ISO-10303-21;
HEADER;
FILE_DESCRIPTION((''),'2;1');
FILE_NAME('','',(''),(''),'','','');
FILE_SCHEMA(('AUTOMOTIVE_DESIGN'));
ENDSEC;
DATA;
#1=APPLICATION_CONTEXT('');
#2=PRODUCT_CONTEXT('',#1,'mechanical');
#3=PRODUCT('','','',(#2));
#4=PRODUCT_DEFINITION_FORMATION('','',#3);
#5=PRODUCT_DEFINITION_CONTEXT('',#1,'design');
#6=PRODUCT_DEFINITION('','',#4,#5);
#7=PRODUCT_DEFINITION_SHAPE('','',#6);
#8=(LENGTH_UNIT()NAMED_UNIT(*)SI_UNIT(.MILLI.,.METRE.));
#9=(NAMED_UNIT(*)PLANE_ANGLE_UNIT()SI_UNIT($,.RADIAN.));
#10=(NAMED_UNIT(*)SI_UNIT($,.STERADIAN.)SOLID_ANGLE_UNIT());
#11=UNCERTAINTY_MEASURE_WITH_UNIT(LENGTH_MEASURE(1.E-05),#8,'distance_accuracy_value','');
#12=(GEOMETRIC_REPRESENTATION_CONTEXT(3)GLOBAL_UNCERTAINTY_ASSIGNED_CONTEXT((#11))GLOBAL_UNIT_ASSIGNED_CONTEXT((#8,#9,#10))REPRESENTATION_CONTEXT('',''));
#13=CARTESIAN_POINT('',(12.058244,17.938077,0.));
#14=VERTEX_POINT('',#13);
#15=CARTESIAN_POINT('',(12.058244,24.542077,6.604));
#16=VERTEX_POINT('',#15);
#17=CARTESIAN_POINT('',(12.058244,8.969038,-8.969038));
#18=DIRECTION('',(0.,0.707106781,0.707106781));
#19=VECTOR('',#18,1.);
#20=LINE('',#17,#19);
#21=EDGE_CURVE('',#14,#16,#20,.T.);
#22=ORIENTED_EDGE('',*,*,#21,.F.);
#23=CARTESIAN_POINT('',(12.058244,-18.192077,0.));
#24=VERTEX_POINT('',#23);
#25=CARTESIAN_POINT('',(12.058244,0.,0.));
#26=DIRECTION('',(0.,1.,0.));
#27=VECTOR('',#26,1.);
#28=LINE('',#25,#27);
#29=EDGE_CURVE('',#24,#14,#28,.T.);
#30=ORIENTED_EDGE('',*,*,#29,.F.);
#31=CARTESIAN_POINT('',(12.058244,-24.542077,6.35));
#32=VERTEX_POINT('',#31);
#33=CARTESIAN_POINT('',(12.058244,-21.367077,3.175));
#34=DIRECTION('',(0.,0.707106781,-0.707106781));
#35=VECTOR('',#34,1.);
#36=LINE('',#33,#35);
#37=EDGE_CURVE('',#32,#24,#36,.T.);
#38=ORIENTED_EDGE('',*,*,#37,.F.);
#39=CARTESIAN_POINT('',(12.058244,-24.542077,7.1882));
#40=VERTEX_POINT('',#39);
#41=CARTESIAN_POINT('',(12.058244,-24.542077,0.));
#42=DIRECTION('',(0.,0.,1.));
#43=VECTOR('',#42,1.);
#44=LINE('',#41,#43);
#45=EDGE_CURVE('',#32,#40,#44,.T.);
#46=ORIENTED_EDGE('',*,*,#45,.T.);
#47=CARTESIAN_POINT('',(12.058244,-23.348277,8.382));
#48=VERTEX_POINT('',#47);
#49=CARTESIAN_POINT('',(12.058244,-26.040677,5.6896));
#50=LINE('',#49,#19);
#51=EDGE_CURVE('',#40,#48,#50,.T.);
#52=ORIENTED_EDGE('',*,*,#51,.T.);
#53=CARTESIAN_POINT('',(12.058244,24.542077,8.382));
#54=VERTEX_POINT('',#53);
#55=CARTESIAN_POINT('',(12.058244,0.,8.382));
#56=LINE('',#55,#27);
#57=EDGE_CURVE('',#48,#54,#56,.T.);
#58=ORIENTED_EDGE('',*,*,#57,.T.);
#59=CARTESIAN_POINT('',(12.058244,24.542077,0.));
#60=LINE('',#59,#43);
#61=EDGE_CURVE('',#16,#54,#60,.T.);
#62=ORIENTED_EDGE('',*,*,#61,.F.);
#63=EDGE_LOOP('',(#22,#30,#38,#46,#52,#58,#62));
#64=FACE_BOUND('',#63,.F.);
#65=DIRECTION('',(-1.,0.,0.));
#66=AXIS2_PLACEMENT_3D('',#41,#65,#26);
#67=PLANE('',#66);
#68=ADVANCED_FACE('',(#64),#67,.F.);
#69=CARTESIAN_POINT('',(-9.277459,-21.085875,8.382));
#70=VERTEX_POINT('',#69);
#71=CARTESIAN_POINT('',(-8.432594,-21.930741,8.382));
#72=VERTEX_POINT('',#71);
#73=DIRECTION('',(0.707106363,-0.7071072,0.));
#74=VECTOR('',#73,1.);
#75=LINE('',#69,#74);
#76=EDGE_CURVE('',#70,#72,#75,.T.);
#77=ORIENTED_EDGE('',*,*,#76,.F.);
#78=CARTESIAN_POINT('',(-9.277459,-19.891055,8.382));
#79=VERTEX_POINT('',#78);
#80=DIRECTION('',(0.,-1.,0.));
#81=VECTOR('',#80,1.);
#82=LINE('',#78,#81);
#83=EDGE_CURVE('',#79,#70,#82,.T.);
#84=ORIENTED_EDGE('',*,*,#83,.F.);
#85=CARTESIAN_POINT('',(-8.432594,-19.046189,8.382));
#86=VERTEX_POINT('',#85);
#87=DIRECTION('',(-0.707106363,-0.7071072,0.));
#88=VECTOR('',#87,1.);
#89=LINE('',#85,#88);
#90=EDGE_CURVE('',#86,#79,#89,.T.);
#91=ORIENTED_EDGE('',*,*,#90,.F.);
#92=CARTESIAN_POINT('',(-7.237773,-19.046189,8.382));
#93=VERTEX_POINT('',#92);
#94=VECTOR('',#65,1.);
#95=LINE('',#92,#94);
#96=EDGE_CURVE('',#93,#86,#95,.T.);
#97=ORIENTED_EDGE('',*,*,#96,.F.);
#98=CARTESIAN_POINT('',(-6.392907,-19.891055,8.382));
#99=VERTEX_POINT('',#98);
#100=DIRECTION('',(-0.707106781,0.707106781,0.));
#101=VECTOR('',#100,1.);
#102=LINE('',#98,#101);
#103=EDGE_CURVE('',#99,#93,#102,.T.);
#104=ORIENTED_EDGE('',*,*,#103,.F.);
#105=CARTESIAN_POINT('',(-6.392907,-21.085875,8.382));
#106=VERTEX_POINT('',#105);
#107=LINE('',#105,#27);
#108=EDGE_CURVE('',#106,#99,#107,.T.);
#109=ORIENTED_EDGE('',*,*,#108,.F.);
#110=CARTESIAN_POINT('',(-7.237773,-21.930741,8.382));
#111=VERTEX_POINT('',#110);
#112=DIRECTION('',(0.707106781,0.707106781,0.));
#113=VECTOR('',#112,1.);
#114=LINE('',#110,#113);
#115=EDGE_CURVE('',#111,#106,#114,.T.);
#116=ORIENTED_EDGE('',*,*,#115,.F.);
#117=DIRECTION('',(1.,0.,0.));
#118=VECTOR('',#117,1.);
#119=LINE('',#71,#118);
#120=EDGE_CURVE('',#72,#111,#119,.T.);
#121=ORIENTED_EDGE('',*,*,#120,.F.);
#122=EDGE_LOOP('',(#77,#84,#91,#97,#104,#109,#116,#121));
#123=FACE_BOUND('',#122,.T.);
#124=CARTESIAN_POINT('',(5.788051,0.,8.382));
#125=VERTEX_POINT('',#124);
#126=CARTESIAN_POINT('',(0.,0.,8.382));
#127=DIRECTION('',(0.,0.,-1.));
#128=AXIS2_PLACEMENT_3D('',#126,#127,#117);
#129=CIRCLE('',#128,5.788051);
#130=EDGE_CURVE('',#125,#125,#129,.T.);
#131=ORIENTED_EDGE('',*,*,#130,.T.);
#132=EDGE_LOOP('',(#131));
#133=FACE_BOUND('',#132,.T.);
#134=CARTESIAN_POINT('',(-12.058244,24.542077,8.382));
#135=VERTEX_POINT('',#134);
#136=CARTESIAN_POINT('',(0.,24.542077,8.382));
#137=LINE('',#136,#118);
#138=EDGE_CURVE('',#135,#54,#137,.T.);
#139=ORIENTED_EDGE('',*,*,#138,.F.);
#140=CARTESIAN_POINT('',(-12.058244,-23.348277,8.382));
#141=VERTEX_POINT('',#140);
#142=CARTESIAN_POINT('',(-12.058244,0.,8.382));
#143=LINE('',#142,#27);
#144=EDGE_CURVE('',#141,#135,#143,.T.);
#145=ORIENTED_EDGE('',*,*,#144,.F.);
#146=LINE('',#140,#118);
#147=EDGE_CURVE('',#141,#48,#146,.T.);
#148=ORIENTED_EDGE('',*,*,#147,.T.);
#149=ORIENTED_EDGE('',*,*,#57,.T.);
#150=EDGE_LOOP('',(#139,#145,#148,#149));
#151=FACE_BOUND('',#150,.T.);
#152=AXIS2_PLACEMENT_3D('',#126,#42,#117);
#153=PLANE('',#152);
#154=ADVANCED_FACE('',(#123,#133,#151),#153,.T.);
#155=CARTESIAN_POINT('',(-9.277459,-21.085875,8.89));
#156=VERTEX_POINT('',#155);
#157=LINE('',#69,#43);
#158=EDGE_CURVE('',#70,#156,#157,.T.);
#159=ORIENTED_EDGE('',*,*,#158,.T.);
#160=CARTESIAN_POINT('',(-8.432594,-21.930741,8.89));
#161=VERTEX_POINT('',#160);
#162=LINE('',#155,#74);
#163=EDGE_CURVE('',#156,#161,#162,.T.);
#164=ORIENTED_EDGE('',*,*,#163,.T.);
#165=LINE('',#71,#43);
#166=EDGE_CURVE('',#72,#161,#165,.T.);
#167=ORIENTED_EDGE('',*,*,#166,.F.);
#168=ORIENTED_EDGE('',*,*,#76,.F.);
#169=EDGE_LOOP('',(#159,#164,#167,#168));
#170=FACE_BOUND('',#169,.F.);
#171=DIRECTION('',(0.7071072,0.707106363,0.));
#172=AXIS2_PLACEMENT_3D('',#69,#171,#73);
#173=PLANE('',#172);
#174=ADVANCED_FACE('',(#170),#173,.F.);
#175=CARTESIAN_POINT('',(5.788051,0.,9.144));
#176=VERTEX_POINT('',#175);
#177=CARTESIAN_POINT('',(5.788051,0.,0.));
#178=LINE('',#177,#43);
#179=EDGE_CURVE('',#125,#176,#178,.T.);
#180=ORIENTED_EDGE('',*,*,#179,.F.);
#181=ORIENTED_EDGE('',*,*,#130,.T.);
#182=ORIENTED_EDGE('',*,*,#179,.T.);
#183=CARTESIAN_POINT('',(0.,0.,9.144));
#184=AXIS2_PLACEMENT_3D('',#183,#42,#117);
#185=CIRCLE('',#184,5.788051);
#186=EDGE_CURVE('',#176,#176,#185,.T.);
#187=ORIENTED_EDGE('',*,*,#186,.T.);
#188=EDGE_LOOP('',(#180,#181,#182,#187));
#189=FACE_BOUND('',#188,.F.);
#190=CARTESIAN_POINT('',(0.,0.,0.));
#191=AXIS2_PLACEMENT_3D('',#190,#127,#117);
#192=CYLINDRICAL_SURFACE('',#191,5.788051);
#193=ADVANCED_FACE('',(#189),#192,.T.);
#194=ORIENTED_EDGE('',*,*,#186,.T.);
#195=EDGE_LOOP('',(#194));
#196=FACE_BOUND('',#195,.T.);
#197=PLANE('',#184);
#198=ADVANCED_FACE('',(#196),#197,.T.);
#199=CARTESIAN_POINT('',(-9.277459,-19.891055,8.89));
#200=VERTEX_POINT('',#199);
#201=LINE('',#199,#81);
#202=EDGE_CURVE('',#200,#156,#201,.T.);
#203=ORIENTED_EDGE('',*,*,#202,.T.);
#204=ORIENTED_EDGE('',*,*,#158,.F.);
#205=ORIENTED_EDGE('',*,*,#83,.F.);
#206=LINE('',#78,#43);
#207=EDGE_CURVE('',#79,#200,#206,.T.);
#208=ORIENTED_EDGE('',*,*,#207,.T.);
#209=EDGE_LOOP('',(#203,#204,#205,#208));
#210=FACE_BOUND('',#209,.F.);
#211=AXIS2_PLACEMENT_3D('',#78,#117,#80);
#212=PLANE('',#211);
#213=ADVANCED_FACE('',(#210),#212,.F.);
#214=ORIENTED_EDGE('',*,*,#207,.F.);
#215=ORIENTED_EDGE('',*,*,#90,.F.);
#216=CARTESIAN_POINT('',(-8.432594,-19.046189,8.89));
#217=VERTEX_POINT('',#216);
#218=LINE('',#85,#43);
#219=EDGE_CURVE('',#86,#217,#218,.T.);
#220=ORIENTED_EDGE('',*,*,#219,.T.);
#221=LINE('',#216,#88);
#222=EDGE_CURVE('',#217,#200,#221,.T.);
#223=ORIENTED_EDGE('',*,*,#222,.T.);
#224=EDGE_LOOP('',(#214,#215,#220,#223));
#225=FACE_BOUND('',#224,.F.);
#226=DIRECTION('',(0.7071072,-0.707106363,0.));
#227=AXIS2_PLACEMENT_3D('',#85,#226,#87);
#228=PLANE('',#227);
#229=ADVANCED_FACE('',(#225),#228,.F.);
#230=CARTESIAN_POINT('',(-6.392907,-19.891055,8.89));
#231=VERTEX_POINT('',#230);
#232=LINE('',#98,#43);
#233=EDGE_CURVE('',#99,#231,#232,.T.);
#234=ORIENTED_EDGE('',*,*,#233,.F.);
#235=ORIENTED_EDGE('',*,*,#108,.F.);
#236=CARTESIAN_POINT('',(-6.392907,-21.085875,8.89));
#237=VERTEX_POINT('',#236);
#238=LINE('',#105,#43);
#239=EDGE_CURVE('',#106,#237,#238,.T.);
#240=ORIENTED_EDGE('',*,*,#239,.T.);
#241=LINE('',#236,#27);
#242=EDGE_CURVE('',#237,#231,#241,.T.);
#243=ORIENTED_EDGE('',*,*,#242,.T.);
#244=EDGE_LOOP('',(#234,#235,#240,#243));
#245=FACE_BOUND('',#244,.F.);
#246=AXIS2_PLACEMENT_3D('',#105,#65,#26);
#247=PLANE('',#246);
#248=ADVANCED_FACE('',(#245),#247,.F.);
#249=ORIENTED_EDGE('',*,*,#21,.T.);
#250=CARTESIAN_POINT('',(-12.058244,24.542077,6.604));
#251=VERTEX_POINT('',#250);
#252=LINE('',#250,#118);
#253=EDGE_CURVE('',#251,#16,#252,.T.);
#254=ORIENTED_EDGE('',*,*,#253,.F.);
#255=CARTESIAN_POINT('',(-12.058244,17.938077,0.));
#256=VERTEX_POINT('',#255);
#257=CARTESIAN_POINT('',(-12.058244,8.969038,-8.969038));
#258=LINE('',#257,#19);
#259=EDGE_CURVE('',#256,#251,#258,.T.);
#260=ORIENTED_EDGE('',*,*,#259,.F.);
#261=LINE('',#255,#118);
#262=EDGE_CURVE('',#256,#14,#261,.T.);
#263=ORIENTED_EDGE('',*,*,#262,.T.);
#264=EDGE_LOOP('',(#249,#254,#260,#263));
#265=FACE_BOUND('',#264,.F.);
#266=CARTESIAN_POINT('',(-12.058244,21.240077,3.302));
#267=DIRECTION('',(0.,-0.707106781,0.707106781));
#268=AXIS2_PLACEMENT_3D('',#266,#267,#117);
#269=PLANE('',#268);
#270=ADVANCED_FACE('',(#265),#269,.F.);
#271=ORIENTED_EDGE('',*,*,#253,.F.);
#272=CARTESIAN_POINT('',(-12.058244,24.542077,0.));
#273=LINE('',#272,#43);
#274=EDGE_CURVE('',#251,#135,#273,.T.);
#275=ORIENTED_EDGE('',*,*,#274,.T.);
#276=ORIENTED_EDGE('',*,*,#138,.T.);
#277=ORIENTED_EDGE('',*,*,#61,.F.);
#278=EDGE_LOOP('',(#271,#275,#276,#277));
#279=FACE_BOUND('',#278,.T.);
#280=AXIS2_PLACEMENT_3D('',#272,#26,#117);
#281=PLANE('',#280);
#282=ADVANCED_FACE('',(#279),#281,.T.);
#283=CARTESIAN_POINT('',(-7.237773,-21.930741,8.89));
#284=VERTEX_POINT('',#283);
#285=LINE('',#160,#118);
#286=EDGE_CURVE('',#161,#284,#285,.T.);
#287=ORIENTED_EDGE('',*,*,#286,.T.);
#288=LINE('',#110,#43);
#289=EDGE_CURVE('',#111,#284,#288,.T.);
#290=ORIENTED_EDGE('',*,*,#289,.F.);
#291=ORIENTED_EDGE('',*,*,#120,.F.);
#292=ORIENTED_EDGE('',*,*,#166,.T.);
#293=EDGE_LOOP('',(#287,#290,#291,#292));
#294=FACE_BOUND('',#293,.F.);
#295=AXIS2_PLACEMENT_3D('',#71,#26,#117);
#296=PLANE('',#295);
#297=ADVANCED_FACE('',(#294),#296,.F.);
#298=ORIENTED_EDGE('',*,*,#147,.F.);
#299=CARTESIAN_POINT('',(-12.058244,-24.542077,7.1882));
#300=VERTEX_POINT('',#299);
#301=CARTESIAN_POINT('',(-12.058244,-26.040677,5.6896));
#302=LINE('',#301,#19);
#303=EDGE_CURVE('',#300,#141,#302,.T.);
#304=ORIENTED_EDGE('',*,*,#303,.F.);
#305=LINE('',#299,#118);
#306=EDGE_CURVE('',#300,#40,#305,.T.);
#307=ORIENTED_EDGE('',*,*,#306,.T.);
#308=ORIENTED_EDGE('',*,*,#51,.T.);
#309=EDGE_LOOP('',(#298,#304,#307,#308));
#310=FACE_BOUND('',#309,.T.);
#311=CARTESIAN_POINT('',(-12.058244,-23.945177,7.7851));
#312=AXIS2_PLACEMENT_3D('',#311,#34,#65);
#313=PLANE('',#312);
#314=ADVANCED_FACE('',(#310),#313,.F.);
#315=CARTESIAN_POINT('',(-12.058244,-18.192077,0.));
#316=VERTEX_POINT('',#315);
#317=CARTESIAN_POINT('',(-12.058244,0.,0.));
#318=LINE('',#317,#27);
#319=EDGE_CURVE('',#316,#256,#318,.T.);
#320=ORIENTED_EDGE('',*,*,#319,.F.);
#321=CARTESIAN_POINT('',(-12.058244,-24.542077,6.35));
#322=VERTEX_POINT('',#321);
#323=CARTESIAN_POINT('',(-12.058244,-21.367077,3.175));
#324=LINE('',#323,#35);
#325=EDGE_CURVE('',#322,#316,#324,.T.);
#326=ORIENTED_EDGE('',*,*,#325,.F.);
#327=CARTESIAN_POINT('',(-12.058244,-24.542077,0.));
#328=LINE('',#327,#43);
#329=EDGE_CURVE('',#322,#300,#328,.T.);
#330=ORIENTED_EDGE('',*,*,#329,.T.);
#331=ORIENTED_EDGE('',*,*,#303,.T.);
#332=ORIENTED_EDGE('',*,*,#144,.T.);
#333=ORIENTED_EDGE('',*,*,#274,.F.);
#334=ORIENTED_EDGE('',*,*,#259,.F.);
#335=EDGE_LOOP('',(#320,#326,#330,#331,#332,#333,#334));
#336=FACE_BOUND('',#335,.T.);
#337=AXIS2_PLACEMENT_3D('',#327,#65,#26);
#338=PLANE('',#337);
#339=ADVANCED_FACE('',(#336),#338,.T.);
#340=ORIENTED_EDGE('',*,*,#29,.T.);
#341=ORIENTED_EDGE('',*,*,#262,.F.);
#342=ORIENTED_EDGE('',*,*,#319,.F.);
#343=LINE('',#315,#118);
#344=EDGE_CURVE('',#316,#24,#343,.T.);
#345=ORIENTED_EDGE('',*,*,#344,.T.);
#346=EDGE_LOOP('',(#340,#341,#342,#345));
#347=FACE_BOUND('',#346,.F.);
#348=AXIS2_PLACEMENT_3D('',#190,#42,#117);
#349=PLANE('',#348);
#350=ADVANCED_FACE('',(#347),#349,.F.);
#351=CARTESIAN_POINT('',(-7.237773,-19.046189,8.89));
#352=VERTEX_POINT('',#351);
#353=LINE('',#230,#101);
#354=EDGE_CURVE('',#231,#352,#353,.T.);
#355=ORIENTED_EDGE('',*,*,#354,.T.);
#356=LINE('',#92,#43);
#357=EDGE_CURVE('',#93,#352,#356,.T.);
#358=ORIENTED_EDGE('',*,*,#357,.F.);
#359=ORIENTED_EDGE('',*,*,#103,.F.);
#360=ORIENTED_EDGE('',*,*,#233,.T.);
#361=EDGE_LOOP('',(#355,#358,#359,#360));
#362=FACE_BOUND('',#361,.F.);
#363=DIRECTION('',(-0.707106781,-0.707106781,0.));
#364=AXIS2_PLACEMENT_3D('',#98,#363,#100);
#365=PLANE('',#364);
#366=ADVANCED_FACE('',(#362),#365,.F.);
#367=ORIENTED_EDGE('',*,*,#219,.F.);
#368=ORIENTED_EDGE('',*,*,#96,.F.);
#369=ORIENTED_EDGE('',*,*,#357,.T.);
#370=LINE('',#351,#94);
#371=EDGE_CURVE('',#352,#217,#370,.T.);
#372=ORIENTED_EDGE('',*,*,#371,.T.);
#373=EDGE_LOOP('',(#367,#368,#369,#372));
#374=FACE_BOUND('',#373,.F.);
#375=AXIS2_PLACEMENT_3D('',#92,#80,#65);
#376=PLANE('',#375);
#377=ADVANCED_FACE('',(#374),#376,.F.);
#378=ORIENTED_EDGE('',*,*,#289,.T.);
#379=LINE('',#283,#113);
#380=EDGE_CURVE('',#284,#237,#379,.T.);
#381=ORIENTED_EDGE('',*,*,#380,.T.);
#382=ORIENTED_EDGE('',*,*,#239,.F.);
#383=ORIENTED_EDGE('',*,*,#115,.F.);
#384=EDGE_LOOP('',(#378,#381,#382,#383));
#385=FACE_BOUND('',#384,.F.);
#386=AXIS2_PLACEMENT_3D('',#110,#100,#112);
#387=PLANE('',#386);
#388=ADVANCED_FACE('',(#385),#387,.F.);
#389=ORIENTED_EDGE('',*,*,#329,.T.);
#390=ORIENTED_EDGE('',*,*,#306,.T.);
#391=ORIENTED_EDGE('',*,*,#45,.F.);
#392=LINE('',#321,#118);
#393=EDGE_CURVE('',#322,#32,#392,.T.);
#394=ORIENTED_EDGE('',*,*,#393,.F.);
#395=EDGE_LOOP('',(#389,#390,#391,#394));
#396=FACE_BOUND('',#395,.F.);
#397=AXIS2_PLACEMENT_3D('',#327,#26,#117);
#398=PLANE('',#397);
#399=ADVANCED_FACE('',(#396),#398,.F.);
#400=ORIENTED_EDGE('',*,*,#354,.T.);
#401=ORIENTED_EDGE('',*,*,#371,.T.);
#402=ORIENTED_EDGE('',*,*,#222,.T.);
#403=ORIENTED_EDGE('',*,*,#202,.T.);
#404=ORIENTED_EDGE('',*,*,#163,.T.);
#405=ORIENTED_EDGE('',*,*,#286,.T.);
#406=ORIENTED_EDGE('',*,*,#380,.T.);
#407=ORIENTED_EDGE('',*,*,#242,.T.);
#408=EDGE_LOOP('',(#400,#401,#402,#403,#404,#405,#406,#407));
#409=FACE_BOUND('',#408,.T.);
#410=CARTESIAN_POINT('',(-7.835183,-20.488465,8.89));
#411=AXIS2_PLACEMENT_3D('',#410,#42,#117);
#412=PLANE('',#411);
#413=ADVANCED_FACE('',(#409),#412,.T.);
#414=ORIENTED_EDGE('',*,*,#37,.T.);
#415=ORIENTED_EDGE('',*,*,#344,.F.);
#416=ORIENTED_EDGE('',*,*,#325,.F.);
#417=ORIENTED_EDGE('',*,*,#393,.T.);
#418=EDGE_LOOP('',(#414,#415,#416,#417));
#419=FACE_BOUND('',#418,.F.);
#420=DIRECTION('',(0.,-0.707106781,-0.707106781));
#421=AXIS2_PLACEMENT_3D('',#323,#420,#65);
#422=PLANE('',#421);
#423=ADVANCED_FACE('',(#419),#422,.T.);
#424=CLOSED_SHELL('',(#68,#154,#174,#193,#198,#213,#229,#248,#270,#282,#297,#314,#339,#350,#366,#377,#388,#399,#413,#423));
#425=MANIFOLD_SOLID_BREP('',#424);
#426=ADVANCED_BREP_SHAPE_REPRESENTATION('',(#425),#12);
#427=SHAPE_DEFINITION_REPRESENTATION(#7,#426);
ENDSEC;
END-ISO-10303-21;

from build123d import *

# Parameters (mm, degrees)
F0_W     = 24.116488
F0_H     = 49.084154
F1_DEPTH = 8.382
F2_SIZE  = 6.35
F3_SIZE  = 6.604
F4_R     = 5.788051
F5_DEPTH = 9.144
F7_DEPTH = 0.508
F8_SIZE  = 1.1938


with BuildPart() as f1:
    # F0 (on Top) → F1 (new body)
    with BuildSketch(Plane.XY):
        Rectangle(F0_W, F0_H)
    extrude(amount=F1_DEPTH)

    # F2
    f2_edges = [f1.edges().sort_by_distance(p)[0] for p in [
        (0, -24.542077, 0),
    ]]
    chamfer(f2_edges, length=F2_SIZE)

    # F3
    f3_edges = [f1.edges().sort_by_distance(p)[0] for p in [
        (0, 24.542077, 0),
    ]]
    chamfer(f3_edges, length=F3_SIZE)

    # F4 (on Top) → F5 (join)
    with BuildSketch(Plane.XY):
        Circle(F4_R)
    extrude(amount=F5_DEPTH)

    # F6 (on face) → F7 (join)
    with BuildSketch(Plane.XY.offset(8.382)):
        Polygon((-8.432594, -21.930741), (-7.237773, -21.930741), (-6.392907, -21.085875), (-6.392907, -19.891055), (-7.237773, -19.046189), (-8.432594, -19.046189), (-9.277459, -19.891055), (-9.277459, -21.085875), align=None)
    extrude(amount=F7_DEPTH)

    # F8
    f8_edges = [f1.edges().sort_by_distance(p)[0] for p in [
        (0, -24.542077, 8.382),
    ]]
    chamfer(f8_edges, length=F8_SIZE)


solid = f1.part
